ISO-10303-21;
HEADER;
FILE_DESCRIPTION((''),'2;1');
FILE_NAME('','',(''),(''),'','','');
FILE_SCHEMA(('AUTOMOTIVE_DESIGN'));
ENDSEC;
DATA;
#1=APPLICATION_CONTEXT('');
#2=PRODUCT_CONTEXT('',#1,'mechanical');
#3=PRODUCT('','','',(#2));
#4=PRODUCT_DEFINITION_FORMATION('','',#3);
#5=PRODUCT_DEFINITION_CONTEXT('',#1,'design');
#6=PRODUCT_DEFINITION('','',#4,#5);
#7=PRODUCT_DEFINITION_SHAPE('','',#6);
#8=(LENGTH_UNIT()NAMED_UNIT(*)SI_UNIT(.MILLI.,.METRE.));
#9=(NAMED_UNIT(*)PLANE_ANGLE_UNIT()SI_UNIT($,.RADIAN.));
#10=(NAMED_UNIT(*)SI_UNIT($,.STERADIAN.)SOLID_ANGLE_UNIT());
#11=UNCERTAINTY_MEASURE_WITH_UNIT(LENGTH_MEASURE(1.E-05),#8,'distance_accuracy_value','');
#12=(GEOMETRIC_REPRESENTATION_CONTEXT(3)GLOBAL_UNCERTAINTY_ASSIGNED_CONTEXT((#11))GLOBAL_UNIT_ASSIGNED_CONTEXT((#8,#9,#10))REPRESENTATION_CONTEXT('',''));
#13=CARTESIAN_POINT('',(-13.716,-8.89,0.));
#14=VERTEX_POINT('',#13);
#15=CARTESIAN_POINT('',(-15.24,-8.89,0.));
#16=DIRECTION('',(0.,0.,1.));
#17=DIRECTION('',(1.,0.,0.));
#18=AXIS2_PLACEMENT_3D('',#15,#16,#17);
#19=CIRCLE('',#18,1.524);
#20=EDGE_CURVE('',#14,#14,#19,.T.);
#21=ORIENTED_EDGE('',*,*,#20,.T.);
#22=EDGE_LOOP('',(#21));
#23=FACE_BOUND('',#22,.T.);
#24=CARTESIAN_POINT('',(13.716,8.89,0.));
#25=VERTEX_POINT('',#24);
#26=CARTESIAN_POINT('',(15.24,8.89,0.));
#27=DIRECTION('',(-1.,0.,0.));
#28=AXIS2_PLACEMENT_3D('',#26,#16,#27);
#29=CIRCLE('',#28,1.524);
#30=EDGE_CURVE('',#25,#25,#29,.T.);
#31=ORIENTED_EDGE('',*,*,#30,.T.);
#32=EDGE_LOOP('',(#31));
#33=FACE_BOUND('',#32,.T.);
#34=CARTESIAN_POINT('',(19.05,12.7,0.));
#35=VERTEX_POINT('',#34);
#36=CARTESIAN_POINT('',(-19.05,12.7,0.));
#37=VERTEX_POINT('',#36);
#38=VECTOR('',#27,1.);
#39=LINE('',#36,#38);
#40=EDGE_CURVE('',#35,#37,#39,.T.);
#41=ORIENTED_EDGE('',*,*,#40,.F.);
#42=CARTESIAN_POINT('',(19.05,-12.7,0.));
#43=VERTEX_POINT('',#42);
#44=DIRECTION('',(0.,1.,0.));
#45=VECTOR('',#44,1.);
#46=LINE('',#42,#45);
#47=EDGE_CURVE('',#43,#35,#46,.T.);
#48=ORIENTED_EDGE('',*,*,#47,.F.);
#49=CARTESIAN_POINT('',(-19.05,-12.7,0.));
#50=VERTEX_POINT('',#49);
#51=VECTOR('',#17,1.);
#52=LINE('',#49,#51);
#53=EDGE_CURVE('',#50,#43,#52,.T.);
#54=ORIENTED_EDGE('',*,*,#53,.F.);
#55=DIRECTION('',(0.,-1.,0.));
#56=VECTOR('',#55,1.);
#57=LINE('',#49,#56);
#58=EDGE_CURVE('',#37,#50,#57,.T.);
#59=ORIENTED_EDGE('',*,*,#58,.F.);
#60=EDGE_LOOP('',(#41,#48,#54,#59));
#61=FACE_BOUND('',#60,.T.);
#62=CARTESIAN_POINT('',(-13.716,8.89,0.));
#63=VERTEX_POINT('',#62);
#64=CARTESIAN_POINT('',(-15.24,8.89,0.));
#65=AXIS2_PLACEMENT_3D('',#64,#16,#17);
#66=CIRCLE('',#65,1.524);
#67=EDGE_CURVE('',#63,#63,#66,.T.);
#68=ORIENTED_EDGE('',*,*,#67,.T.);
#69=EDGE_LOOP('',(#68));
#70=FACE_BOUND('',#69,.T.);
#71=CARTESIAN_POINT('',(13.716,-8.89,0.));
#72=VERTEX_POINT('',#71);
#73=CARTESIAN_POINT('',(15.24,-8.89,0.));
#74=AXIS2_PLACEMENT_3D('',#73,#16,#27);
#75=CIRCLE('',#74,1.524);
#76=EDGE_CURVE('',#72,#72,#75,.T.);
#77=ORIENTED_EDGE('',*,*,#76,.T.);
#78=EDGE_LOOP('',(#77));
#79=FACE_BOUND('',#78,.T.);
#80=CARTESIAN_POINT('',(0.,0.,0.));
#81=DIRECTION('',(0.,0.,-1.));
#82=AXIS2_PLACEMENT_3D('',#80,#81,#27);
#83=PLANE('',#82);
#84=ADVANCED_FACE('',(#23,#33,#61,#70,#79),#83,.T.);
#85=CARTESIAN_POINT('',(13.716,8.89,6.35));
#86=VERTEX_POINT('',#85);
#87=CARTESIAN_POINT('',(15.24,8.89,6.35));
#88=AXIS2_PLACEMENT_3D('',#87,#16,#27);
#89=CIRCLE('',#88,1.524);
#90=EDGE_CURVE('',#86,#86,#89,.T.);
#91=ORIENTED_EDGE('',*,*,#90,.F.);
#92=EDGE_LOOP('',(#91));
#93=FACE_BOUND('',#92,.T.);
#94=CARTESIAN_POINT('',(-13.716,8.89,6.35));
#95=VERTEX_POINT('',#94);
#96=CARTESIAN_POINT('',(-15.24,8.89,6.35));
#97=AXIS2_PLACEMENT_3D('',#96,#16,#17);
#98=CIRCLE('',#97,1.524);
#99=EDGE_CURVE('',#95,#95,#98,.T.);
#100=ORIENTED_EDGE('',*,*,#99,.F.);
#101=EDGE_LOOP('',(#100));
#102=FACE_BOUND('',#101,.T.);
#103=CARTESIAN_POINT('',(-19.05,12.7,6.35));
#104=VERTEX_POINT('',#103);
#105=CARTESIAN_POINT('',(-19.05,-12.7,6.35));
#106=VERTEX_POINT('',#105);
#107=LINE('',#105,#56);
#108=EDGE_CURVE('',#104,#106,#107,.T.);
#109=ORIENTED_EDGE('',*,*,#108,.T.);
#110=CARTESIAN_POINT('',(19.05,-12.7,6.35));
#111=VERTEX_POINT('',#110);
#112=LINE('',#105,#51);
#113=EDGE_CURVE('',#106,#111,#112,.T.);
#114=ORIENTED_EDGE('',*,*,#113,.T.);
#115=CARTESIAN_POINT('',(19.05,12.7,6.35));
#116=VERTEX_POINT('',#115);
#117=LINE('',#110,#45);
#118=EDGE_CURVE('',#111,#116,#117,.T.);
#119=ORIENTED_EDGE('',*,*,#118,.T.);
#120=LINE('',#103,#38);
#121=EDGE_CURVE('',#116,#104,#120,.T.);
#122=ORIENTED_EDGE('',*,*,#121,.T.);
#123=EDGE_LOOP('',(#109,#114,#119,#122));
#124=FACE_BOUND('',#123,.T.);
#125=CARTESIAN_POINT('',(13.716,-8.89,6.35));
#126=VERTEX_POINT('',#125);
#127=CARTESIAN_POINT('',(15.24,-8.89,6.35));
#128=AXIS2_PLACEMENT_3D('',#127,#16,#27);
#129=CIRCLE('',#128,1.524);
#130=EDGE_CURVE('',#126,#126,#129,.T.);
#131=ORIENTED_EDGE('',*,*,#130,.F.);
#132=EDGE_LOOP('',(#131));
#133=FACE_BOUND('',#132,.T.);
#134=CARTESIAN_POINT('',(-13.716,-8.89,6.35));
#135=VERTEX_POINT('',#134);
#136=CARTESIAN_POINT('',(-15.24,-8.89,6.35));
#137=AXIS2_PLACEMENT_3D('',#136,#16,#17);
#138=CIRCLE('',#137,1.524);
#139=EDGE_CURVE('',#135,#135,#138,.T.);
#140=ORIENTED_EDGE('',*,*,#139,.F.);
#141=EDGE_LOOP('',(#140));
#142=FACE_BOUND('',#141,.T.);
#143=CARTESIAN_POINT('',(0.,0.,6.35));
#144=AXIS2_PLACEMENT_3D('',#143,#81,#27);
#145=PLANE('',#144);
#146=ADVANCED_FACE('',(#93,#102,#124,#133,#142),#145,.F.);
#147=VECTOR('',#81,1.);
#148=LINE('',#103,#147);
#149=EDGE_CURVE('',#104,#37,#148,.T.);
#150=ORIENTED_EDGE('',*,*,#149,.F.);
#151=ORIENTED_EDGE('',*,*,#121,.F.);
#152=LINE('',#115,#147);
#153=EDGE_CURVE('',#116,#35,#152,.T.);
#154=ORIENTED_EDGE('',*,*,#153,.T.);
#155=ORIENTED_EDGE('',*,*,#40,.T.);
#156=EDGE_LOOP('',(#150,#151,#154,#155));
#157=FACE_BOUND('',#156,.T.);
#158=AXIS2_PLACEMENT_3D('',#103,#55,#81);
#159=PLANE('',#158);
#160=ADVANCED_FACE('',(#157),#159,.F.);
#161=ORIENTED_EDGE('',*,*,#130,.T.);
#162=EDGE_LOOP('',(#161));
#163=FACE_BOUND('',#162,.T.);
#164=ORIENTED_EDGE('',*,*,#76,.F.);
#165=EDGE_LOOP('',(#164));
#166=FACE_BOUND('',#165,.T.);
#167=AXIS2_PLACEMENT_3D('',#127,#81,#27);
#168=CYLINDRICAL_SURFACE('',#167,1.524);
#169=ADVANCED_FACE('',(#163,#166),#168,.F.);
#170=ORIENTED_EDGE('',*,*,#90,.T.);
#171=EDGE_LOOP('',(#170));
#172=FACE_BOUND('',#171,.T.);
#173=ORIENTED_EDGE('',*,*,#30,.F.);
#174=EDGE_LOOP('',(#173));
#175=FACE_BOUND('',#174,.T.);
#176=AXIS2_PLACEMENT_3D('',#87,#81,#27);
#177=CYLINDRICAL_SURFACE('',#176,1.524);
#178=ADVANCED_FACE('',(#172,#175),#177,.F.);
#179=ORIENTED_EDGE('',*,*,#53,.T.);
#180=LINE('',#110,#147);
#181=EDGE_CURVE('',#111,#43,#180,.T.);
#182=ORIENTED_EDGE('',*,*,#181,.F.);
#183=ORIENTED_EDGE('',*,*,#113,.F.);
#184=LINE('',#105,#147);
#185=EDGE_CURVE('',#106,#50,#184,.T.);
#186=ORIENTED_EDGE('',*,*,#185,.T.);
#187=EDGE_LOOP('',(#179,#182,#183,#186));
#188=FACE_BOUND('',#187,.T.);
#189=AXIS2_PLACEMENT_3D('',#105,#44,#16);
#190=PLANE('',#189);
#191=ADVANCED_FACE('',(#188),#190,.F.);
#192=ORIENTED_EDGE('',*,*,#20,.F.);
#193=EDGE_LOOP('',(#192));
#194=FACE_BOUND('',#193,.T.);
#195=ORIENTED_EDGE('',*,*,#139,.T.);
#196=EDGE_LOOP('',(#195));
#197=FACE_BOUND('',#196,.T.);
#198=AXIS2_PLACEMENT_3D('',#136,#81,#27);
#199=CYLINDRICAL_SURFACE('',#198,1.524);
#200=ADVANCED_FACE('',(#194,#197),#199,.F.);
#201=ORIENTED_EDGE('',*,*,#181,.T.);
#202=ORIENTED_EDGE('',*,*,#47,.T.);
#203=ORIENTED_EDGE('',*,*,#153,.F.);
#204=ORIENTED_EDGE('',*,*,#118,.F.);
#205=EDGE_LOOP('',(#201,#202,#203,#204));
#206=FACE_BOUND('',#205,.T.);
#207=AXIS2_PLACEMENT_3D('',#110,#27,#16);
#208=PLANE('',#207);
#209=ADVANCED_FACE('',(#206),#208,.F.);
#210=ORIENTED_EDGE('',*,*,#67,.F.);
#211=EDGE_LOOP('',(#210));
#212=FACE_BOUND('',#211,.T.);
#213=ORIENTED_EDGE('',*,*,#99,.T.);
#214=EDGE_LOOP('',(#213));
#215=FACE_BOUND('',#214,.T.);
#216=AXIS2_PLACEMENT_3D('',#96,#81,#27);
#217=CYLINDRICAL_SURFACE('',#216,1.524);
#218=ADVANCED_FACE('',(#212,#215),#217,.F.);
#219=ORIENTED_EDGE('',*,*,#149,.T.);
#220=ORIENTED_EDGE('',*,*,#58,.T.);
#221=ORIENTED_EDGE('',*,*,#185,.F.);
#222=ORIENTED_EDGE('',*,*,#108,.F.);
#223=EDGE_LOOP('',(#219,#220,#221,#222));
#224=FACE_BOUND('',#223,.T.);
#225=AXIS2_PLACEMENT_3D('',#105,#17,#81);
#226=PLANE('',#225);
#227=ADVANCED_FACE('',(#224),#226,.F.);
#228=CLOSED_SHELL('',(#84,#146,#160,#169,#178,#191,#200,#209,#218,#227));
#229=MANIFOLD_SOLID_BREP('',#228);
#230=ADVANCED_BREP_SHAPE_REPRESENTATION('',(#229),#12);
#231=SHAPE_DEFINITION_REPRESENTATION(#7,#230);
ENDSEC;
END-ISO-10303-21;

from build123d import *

# Parameters (mm, degrees)
SKETCH1_W           = 38.1
SKETCH1_H           = 25.4
SKETCH1_R           = 1.524
BOSS_EXTRUDE1_DEPTH = 6.35


with BuildPart() as part:
    # Sketch1 → Boss-Extrude1 (new body)
    with BuildSketch(Plane.XY):
        Rectangle(SKETCH1_W, SKETCH1_H)
        with Locations((-15.24, 8.89)):
            Circle(SKETCH1_R, mode=Mode.SUBTRACT)
        with Locations((-15.24, -8.89)):
            Circle(SKETCH1_R, mode=Mode.SUBTRACT)
        with Locations((15.24, 8.89)):
            Circle(SKETCH1_R, mode=Mode.SUBTRACT)
        with Locations((15.24, -8.89)):
            Circle(SKETCH1_R, mode=Mode.SUBTRACT)
    extrude(amount=BOSS_EXTRUDE1_DEPTH)


solid = part.part
